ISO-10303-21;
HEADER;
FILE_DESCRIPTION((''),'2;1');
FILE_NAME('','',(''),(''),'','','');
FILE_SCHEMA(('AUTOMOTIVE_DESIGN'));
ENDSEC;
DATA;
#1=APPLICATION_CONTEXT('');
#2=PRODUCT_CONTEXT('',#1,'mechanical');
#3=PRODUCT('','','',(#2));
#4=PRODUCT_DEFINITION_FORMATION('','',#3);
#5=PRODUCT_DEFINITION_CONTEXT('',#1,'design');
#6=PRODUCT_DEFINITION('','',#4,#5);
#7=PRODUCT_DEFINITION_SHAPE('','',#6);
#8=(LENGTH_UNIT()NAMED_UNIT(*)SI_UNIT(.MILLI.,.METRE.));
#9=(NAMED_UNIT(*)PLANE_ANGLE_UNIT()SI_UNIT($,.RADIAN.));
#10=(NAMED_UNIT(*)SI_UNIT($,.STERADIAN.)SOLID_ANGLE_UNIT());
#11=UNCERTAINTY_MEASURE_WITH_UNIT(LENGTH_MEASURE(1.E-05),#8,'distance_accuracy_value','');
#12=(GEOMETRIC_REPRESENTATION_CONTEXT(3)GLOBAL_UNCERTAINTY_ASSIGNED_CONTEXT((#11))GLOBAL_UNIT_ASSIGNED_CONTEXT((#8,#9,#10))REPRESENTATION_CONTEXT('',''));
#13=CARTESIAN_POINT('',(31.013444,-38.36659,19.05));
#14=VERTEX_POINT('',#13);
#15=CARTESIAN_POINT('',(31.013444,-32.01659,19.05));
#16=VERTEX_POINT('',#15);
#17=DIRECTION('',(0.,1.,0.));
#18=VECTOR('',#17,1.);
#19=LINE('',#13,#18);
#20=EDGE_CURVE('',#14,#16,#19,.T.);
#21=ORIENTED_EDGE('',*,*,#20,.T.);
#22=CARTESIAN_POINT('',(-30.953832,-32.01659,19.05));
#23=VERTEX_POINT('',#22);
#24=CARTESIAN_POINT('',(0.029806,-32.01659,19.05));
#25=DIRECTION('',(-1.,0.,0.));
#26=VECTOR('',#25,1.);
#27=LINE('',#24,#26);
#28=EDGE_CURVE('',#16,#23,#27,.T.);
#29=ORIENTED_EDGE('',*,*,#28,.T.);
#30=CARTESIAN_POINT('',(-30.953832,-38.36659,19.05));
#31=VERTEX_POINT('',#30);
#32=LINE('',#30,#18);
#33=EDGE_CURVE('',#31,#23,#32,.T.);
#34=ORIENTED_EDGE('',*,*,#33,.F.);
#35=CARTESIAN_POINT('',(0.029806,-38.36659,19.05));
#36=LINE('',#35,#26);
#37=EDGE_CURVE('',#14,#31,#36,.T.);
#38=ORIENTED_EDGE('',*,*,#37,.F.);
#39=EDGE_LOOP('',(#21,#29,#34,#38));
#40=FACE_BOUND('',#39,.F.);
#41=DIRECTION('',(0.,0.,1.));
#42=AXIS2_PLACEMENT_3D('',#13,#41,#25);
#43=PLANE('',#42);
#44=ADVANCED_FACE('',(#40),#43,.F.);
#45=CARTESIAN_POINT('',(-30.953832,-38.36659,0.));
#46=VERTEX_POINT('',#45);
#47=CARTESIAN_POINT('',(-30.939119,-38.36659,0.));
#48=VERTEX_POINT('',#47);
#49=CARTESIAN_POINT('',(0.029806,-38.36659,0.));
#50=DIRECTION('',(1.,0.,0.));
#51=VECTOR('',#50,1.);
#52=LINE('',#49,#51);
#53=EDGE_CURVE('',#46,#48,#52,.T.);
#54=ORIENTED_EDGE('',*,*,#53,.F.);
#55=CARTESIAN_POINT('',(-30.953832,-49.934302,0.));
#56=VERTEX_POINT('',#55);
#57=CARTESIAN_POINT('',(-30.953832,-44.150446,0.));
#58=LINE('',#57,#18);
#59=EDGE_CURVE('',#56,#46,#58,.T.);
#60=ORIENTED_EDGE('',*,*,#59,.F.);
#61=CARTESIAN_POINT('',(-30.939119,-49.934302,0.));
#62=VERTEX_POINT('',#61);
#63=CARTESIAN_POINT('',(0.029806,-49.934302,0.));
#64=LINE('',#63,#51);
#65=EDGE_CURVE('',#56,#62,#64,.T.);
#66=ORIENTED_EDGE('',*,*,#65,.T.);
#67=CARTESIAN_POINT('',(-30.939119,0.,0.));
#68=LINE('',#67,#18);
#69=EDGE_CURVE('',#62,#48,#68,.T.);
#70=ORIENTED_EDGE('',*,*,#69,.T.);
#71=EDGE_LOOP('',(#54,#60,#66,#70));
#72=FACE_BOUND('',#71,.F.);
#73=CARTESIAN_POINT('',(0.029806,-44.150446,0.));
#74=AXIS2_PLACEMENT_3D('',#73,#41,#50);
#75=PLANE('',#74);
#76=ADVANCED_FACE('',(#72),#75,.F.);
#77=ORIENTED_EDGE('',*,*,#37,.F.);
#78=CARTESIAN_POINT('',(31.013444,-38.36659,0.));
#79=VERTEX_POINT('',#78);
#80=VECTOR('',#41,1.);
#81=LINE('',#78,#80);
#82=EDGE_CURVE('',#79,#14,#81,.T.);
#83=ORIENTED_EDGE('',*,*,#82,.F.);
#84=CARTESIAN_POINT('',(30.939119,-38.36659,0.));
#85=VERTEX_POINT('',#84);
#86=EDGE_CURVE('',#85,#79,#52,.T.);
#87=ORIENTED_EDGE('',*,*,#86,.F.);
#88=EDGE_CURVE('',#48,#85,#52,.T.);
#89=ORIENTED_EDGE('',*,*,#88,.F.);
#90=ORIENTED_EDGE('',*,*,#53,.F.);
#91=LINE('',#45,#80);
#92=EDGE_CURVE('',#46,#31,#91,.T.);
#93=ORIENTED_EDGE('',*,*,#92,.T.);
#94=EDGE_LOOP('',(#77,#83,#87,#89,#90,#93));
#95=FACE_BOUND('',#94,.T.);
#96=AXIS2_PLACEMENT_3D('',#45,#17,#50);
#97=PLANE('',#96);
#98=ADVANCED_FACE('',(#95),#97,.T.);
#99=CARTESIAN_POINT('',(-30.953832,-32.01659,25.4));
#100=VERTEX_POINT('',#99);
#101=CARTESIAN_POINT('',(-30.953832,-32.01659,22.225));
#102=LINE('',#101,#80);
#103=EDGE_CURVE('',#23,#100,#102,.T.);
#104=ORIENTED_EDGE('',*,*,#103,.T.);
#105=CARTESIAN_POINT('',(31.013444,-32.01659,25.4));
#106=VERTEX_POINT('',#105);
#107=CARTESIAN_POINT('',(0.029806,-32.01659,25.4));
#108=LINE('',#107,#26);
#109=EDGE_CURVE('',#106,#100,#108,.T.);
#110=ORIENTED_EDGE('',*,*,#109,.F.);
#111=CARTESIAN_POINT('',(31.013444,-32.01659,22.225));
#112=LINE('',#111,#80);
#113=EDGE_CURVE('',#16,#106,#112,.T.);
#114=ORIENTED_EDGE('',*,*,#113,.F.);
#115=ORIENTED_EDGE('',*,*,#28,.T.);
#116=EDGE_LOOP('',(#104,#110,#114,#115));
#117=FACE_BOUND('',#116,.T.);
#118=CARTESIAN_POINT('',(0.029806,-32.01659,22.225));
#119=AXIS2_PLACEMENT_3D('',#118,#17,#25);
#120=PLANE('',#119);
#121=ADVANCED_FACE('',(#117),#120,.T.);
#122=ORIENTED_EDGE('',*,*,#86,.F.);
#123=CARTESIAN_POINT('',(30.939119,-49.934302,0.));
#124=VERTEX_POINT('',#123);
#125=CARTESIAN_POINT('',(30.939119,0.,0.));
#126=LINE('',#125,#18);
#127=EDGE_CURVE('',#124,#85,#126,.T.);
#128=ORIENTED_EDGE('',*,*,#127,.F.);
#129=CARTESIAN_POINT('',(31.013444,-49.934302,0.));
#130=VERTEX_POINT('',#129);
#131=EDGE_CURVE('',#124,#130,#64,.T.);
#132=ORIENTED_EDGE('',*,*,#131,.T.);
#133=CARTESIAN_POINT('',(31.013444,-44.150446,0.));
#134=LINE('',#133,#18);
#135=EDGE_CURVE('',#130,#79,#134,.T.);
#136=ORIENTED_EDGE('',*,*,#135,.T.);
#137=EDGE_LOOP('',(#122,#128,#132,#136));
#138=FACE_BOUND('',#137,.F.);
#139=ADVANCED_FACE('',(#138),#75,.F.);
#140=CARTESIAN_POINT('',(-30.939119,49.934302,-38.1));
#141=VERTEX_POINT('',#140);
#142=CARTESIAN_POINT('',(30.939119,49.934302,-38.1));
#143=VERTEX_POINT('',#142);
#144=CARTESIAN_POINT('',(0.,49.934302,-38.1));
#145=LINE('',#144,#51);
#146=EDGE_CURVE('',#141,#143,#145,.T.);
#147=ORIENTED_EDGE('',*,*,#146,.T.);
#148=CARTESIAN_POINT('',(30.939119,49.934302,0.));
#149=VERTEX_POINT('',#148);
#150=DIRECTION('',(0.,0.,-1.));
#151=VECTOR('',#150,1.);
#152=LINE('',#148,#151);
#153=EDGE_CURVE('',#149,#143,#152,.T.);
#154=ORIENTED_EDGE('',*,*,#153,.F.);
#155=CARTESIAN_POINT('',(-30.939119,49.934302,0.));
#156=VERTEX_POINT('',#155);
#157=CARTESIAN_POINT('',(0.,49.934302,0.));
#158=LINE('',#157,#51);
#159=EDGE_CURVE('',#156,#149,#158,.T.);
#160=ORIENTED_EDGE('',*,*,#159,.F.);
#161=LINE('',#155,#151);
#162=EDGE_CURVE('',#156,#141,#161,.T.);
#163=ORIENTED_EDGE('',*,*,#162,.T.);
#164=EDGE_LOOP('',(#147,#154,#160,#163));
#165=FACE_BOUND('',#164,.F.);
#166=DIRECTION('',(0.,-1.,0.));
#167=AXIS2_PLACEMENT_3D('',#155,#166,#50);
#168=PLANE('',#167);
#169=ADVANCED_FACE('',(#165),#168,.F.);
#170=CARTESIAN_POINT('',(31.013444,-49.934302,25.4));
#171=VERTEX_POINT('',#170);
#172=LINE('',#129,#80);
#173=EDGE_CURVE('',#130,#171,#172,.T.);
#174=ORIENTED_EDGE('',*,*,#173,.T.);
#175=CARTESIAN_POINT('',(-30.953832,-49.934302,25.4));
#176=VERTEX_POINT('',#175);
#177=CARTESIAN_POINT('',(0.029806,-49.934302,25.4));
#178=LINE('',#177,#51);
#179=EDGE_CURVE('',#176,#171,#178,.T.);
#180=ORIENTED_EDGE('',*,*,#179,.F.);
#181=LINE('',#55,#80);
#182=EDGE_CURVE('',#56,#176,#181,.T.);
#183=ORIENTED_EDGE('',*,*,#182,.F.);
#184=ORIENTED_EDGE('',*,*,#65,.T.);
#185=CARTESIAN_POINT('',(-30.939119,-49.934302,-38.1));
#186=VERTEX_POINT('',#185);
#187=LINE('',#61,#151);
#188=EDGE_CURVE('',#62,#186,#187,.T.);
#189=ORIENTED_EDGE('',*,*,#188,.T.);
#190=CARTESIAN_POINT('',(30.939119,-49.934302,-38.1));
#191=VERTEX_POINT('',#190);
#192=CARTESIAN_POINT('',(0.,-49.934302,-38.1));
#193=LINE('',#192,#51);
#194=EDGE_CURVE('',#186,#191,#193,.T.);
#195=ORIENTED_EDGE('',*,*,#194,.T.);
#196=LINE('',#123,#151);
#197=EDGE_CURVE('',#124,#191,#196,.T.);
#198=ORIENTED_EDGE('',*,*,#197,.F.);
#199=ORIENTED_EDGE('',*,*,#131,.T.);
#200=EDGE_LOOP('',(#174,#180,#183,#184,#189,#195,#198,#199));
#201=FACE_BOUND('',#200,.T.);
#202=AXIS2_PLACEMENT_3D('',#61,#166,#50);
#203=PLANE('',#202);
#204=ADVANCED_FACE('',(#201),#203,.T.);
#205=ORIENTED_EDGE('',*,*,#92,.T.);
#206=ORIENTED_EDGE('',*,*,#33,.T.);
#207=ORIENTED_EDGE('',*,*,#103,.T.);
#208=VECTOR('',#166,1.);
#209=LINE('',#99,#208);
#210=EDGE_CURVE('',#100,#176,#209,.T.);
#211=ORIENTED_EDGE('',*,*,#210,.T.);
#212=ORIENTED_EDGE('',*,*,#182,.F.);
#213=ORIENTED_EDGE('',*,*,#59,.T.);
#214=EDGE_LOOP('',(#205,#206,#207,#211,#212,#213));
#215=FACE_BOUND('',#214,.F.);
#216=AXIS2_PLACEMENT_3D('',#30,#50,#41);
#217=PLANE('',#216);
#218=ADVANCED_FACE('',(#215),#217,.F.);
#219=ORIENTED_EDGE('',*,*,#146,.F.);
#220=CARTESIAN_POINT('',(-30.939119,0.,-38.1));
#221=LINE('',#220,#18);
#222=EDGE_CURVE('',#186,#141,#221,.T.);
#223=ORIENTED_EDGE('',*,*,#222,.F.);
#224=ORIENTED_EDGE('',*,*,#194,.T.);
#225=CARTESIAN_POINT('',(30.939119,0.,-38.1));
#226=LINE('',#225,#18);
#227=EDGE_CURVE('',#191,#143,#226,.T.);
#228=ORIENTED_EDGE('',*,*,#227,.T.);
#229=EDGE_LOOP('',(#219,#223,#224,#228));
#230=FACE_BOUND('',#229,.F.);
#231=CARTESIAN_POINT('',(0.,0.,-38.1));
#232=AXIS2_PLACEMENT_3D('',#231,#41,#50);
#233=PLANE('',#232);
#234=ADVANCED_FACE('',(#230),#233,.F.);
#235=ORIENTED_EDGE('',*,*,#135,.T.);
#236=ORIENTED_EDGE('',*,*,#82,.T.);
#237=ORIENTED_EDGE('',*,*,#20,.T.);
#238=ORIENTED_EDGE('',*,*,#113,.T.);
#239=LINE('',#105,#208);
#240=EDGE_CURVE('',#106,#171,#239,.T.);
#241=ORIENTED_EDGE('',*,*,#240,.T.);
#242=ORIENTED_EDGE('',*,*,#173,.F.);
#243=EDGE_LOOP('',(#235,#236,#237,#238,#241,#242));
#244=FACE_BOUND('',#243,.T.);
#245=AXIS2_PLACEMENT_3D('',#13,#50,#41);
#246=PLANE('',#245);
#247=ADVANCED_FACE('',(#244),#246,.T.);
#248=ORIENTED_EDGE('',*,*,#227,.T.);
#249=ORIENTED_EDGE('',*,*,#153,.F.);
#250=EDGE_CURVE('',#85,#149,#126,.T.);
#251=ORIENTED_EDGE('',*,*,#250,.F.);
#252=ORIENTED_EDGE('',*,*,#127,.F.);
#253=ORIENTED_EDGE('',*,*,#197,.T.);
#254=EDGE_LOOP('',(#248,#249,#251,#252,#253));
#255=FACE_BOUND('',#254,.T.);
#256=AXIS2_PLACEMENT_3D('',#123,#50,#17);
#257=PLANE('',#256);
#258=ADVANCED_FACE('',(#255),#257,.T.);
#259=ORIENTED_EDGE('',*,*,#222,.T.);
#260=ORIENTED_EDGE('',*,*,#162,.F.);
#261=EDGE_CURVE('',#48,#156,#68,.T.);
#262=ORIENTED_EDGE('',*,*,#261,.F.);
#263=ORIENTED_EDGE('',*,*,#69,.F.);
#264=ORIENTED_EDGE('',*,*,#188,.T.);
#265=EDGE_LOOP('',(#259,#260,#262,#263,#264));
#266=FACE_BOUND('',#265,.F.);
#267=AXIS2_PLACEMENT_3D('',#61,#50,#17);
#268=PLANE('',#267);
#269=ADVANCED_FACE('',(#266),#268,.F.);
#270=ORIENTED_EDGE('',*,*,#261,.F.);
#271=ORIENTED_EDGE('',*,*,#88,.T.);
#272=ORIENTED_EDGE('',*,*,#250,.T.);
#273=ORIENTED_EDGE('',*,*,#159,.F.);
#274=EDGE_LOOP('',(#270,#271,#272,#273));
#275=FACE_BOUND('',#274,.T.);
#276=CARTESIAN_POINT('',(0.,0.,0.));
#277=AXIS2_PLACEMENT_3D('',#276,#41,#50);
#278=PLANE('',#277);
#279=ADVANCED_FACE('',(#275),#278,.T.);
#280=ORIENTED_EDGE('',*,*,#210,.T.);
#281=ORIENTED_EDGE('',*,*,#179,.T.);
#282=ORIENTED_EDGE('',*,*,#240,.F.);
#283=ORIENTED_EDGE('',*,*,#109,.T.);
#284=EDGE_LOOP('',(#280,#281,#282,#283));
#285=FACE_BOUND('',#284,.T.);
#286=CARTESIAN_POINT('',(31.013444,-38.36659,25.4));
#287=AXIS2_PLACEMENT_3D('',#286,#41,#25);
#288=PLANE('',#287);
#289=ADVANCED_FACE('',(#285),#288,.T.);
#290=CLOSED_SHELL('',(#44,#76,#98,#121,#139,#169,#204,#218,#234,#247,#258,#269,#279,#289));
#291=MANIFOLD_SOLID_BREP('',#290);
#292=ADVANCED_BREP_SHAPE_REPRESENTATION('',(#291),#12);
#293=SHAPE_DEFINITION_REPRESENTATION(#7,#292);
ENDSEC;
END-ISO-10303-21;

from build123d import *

# Parameters (mm, degrees)
F1_W     = 61.967276
F1_H     = 11.567712
F2_DEPTH = 25.4
F0_W     = 61.878238
F0_H     = 99.868604
F3_DEPTH = 38.1
F4_W     = 61.967276
F4_H     = 6.35
F5_DEPTH = 6.35


with BuildPart() as f2:
    # F1 (on Top) → F2 (new body)
    with BuildSketch(Plane.XY):
        with Locations((0.029806, -44.150446)):
            Rectangle(F1_W, F1_H)
    extrude(amount=F2_DEPTH)

    # F0 (on Top) → F3 (join)
    with BuildSketch(Plane.XY):
        Rectangle(F0_W, F0_H)
    extrude(amount=-F3_DEPTH)

    # F4 (on face) → F5 (join)
    with BuildSketch(Plane(origin=(0, -38.36659, 0), x_dir=(-1, 0, 0), z_dir=(0, 1, 0))):
        with Locations((-0.029806, 22.225)):
            Rectangle(F4_W, F4_H)
    extrude(amount=F5_DEPTH)


solid = f2.part
